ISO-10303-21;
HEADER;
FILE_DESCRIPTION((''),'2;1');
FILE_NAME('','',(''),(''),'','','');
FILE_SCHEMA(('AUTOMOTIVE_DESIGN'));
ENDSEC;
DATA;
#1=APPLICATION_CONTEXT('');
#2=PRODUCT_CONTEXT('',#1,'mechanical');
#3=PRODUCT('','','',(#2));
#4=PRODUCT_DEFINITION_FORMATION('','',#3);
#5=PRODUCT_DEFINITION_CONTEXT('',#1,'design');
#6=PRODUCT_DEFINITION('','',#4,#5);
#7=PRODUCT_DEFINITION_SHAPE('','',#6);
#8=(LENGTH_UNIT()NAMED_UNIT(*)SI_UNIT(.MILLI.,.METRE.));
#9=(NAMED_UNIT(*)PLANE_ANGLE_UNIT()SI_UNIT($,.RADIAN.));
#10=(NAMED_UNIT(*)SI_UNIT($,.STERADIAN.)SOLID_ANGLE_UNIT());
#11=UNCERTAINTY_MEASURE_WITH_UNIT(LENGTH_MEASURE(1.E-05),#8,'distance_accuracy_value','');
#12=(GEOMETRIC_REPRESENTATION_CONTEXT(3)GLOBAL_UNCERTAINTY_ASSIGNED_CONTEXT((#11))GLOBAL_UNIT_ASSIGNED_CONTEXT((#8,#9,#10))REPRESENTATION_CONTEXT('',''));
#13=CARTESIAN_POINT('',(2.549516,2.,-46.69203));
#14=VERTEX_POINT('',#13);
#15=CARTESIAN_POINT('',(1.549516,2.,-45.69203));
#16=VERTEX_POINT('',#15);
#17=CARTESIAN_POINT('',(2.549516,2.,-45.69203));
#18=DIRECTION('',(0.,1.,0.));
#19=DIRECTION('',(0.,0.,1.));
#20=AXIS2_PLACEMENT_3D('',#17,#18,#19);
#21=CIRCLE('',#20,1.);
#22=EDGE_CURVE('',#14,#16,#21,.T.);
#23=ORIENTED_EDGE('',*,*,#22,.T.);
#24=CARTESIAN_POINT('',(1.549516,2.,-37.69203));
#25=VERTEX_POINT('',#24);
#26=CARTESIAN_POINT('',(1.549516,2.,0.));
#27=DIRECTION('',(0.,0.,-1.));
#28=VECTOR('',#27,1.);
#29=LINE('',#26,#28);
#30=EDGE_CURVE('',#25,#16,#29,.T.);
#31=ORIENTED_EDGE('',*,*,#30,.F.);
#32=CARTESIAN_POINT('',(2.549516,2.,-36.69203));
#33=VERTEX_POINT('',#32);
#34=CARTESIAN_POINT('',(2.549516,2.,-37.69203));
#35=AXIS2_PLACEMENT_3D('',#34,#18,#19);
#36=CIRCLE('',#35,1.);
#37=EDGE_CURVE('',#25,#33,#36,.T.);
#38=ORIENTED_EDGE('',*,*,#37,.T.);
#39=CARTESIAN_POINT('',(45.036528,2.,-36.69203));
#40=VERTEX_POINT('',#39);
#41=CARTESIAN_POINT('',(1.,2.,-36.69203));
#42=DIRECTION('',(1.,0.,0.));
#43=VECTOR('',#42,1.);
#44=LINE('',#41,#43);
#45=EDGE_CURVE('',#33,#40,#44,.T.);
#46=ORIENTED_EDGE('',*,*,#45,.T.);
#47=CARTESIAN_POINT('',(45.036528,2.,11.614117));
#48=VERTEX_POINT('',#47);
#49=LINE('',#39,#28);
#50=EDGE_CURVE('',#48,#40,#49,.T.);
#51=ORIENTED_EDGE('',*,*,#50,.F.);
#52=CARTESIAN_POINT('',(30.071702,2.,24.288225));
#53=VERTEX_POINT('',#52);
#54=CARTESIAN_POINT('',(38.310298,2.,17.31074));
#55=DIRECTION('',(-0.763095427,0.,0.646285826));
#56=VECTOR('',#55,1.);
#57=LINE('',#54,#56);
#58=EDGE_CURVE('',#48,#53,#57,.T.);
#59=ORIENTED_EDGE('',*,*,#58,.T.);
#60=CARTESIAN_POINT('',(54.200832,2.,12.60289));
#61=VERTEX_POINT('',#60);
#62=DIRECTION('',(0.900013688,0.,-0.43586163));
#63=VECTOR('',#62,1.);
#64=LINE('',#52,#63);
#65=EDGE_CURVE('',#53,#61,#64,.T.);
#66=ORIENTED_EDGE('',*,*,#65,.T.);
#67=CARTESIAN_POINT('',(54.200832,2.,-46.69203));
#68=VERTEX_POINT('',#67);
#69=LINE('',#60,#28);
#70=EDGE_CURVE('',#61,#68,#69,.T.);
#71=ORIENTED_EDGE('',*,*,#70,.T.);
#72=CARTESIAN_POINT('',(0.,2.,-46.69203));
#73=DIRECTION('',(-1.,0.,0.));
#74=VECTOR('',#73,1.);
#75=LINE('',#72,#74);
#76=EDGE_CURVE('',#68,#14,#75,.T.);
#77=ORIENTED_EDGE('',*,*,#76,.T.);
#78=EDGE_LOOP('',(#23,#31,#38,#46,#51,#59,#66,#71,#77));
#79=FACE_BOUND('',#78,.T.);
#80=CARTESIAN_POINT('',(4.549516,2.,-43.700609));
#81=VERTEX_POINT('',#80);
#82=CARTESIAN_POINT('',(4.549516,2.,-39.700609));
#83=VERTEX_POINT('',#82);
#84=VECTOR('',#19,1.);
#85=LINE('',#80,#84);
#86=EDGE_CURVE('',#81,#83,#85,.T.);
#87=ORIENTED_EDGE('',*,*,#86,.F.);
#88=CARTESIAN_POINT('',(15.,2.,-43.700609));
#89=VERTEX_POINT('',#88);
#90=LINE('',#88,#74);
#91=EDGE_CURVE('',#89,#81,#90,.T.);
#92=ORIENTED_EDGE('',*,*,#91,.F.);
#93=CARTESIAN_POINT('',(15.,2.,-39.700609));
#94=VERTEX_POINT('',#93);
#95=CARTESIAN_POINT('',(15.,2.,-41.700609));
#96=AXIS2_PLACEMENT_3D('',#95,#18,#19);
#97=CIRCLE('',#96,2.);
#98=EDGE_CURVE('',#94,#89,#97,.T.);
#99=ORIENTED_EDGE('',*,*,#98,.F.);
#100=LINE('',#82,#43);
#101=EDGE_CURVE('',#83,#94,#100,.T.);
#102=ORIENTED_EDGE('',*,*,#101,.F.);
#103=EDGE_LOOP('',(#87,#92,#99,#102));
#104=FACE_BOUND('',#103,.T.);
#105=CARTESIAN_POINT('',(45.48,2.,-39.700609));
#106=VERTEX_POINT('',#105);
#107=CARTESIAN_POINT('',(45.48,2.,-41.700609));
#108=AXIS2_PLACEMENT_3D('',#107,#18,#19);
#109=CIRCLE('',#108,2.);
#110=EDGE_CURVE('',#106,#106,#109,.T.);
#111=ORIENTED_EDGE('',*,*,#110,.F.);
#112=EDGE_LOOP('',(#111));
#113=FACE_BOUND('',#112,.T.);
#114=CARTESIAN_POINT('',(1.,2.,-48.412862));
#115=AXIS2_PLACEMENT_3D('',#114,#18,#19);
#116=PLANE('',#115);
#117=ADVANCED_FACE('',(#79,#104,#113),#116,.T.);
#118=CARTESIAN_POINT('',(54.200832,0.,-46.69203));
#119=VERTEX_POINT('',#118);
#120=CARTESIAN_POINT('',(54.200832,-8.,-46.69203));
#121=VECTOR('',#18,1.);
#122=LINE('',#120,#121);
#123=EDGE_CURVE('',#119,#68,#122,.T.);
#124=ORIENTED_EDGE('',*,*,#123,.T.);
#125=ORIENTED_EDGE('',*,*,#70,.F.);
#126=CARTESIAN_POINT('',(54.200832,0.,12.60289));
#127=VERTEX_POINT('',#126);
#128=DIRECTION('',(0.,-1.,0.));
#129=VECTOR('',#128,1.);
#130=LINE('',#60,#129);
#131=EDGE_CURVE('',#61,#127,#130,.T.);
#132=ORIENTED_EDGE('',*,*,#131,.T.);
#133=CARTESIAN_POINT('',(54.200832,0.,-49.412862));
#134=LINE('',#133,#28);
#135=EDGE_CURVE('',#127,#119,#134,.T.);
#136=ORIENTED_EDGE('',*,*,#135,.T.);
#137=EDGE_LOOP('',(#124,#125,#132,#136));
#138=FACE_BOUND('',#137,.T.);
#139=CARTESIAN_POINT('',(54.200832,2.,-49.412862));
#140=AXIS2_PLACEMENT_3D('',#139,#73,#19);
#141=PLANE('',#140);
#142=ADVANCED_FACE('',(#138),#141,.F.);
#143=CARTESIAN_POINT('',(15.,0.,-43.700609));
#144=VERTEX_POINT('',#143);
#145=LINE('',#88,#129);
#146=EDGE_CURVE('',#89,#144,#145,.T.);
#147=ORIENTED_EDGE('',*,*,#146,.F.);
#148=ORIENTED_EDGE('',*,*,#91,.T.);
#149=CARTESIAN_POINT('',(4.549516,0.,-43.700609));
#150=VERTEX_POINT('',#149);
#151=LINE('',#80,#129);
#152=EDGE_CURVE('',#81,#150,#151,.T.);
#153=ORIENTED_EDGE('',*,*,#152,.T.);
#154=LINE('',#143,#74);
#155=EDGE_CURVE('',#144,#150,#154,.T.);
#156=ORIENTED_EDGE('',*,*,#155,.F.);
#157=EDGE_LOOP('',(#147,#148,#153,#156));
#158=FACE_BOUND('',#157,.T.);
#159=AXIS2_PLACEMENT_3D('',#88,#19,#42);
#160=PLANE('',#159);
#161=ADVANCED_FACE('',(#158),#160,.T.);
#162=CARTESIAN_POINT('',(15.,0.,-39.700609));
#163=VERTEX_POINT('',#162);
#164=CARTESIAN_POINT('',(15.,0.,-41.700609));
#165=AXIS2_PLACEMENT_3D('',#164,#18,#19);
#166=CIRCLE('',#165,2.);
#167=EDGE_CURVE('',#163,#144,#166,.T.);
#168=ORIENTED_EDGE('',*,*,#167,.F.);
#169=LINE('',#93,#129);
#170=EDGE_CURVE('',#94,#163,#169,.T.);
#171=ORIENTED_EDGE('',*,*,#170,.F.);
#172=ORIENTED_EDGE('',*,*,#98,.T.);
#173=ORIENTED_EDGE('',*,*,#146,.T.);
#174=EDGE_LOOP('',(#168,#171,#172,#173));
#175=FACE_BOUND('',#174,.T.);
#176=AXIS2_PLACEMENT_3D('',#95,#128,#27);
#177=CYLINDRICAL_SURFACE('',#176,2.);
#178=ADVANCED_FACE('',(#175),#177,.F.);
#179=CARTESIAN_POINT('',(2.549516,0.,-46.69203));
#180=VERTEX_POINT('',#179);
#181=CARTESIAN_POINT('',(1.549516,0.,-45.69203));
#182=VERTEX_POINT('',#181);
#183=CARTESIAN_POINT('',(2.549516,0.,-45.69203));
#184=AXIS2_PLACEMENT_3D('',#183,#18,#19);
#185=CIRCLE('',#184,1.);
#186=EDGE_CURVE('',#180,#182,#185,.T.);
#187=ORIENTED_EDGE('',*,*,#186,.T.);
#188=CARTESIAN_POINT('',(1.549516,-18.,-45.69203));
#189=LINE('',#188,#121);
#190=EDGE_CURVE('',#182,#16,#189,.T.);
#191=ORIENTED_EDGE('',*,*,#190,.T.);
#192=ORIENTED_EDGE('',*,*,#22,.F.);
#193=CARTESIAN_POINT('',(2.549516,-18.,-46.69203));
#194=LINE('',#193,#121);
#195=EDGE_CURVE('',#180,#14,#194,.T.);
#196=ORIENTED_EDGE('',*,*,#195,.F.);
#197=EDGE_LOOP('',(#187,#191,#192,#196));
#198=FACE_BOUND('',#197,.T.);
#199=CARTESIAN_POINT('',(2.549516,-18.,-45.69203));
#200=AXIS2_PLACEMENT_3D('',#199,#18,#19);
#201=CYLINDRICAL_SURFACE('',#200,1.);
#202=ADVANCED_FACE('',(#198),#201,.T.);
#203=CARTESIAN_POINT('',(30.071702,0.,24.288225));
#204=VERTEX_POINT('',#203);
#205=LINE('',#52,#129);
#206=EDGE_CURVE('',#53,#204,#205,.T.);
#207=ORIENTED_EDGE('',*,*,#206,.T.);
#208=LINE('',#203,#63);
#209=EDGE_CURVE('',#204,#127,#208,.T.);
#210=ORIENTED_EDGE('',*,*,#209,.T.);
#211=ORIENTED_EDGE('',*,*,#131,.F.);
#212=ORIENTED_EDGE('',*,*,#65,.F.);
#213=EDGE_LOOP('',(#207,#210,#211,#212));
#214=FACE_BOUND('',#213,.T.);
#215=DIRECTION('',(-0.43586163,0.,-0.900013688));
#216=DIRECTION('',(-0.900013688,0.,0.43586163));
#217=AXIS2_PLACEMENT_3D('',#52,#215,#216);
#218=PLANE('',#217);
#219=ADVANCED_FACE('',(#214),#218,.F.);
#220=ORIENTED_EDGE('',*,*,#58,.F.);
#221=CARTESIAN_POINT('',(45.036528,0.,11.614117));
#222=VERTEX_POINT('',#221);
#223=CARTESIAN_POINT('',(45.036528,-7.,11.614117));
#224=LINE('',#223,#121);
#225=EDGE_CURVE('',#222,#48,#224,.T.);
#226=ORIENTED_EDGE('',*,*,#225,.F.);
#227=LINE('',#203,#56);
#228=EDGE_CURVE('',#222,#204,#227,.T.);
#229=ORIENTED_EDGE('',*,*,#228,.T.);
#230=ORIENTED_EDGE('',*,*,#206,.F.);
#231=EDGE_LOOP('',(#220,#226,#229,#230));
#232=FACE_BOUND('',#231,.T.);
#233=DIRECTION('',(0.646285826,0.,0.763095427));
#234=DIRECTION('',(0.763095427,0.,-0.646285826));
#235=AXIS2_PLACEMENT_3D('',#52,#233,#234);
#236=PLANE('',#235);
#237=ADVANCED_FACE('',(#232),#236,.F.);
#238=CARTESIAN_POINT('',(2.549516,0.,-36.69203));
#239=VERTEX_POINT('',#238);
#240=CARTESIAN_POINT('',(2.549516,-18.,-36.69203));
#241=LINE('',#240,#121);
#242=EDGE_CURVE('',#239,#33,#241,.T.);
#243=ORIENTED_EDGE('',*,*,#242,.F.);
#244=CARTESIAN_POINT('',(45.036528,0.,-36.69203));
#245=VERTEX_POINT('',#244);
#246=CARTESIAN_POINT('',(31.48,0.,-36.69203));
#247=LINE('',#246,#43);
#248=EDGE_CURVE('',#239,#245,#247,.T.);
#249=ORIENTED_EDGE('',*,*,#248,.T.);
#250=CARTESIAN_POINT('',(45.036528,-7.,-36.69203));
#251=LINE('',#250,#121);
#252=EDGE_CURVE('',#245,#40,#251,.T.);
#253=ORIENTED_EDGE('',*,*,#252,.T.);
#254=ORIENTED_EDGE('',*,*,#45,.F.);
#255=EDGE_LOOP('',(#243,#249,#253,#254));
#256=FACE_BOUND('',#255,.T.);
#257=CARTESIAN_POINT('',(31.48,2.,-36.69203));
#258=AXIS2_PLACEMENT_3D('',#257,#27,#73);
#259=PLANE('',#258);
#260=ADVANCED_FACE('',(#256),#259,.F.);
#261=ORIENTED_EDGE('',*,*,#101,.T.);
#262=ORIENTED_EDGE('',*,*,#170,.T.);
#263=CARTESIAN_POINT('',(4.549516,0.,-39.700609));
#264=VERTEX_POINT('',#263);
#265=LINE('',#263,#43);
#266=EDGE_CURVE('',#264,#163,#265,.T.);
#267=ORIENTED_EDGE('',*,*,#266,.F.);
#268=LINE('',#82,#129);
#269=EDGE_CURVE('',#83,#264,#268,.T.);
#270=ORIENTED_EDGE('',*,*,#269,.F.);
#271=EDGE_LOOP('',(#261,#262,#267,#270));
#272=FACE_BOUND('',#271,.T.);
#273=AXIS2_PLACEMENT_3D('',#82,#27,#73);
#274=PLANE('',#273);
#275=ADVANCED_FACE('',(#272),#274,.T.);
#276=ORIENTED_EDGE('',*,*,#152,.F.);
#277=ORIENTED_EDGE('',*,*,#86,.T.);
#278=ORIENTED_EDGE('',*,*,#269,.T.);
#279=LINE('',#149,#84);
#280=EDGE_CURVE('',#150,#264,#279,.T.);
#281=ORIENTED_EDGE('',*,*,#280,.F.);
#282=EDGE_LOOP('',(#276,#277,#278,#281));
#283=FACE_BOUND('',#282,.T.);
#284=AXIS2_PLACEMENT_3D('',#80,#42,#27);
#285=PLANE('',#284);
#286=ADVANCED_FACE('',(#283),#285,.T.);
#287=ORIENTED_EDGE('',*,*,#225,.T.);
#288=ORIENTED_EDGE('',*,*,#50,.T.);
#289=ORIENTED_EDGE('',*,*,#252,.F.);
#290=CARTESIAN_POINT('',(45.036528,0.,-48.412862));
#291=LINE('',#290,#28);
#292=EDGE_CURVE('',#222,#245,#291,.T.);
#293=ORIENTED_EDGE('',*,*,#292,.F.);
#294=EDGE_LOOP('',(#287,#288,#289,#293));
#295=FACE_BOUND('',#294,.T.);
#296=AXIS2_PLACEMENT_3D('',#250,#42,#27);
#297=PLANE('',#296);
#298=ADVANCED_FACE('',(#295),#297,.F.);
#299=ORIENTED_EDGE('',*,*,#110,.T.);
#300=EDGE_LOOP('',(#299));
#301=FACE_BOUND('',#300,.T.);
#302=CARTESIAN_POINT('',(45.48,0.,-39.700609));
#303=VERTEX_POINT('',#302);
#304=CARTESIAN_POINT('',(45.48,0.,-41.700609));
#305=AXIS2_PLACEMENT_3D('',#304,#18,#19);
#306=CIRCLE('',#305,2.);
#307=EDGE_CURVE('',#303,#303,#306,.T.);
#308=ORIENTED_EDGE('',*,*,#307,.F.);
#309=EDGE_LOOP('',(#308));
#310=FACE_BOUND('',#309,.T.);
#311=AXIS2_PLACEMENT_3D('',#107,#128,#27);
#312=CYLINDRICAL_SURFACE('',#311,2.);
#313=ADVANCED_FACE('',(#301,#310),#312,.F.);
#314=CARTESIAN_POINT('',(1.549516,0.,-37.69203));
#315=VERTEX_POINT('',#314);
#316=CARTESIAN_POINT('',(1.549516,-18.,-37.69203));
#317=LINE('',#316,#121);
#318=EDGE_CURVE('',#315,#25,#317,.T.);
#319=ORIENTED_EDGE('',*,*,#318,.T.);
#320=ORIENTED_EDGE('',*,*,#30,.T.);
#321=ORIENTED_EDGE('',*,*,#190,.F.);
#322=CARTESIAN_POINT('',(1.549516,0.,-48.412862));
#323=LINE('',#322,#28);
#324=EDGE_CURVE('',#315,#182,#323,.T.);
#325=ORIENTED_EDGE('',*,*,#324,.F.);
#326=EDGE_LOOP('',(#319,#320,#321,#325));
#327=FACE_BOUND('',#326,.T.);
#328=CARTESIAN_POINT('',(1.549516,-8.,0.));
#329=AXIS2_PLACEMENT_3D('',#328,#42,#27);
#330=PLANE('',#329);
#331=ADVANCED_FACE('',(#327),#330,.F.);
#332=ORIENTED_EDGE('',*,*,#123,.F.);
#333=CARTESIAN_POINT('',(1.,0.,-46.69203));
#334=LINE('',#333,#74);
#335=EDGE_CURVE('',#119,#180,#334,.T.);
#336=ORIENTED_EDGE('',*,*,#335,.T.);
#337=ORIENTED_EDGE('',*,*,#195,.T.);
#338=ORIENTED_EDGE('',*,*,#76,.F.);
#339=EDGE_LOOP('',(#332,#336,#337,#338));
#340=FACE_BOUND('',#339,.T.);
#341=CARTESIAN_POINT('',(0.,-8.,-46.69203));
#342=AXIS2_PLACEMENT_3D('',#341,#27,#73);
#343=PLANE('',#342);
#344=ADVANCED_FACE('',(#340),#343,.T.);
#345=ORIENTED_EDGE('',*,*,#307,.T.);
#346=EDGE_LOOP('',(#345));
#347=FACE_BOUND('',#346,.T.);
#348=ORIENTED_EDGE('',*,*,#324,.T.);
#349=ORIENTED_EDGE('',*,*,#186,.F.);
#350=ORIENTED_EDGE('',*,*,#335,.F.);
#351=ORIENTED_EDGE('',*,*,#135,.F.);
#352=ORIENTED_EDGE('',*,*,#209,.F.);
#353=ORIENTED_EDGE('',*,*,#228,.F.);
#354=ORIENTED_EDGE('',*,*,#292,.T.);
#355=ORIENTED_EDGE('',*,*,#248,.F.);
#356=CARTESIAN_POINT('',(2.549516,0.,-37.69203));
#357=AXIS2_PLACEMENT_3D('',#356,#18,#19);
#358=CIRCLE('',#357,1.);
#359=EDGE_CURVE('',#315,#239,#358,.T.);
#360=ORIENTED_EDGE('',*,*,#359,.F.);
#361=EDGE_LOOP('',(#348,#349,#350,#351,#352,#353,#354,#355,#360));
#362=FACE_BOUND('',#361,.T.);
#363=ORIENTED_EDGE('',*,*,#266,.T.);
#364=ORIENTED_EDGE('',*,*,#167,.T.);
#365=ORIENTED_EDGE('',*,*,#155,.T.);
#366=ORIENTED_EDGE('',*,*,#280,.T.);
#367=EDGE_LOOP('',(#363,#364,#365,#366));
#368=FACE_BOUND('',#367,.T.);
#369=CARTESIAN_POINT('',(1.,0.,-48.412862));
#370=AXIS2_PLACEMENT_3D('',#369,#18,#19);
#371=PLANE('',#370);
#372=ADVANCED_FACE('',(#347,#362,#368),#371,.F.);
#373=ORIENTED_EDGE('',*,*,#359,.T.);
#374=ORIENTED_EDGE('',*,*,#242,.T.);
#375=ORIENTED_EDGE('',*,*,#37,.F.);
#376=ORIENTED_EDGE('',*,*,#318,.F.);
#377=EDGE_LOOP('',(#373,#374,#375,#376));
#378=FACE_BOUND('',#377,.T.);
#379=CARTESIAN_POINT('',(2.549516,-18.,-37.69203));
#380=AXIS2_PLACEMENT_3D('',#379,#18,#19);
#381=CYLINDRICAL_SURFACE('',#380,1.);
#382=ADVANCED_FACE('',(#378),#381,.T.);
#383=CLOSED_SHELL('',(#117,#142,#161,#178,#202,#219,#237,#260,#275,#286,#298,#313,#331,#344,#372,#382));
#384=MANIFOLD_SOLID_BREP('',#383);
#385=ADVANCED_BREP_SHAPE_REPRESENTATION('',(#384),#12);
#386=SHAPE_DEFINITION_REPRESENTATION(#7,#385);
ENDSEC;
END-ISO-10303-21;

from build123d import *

# Parameters (mm, degrees)
SKETCH1_R           = 2
BOSS_EXTRUDE2_DEPTH = 2
CUT_EXTRUDE2_DEPTH  = 9
CUT_EXTRUDE3_DEPTH  = 9
CUT_EXTRUDE4_DEPTH  = 10
CUT_EXTRUDE5_DEPTH  = 10
CUT_EXTRUDE6_DEPTH  = 10
CUT_EXTRUDE8_DEPTH  = 20


with BuildPart() as part:
    # Sketch1 → Boss-Extrude2 (new body)
    with BuildSketch(Plane(origin=(0, 0, 0), x_dir=(1, 0, 0), z_dir=(0, 1, 0))):
        with BuildLine():
            Line((0, 48.412862342), (0, 37.692030173))
            ThreePointArc((0, 37.692030173), (0.292893219, 36.984923392), (1, 36.692030173))
            Line((1, 36.692030173), (31.48, 36.692030173))
            Line((31.48, 36.692030173), (43.036527631, 36.692030173))
            Line((43.036527631, 36.692030173), (43.036527631, -13.307969827))
            Line((43.036527631, -13.307969827), (38.310297741, -17.310739702))
            Line((38.310297741, -17.310739702), (34.253582629, -17.310739702))
            Line((34.253582629, -17.310739702), (36, -19.267392345))
            Line((36, -19.267392345), (30.071702425, -24.288225334))
            Line((30.071702425, -24.288225334), (54.200832168, -12.602889922))
            Line((54.200832168, -12.602889922), (54.200832168, 10.267562985))
            Line((54.200832168, 10.267562985), (54.200832168, 49.412862342))
            Line((54.200832168, 49.412862342), (41.48, 49.412862342))
            Line((41.48, 49.412862342), (1, 49.412862342))
            ThreePointArc((1, 49.412862342), (0.292893219, 49.119969123), (0, 48.412862342))
        make_face()
        with Locations((45.48, 41.700609081)):
            Circle(SKETCH1_R, mode=Mode.SUBTRACT)
        with BuildLine():
            Line((15, 43.700609081), (4.549516448, 43.700609081))
            Line((4.549516448, 43.700609081), (4.549516448, 39.700609081))
            Line((4.549516448, 39.700609081), (15, 39.700609081))
            ThreePointArc((15, 39.700609081), (17, 41.700609081), (15, 43.700609081))
        make_face(mode=Mode.SUBTRACT)
    extrude(amount=BOSS_EXTRUDE2_DEPTH)

    # Sketch6 → Cut-Extrude2 (cut)
    with BuildSketch(Plane(origin=(0, 2, 0), x_dir=(1, 0, 0), z_dir=(0, 1, 0))):
        Polygon((36, -19.267392345), (38.310297741, -17.310739702), (34.253582629, -17.310739702), align=None)
    extrude(amount=-CUT_EXTRUDE2_DEPTH, mode=Mode.SUBTRACT)

    # Sketch8 → Cut-Extrude3 (cut)
    with BuildSketch(Plane(origin=(0, 2, 0), x_dir=(1, 0, 0), z_dir=(0, 1, 0))):
        Polygon((43.036527631, 36.692030173), (45.036527631, 36.692030173), (45.036527631, -11.115496155), (45.036527631, -11.614116599), (43.036527631, -13.307969827), align=None)
    extrude(amount=-CUT_EXTRUDE3_DEPTH, mode=Mode.SUBTRACT)

    # Sketch9 → Cut-Extrude4 (cut)
    with BuildSketch(Plane(origin=(0, 2, 0), x_dir=(1, 0, 0), z_dir=(0, 1, 0))):
        with BuildLine():
            Line((0, 46.692030173), (54.200832168, 46.692030173))
            Line((54.200832168, 46.692030173), (54.200832168, 49.412862342))
            Line((54.200832168, 49.412862342), (1, 49.412862342))
            ThreePointArc((1, 49.412862342), (0.292893219, 49.119969123), (0, 48.412862342))
            Line((0, 48.412862342), (0, 46.692030173))
        make_face()
    extrude(amount=-CUT_EXTRUDE4_DEPTH, mode=Mode.SUBTRACT)

    # Sketch11 → Cut-Extrude5 (cut)
    with BuildSketch(Plane(origin=(0, 2, 0), x_dir=(1, 0, 0), z_dir=(0, 1, 0))):
        with BuildLine():
            Line((1, 46.692030173), (0, 46.692030173))
            Line((0, 46.692030173), (0, 45.692030173))
            ThreePointArc((0, 45.692030173), (0.292893219, 46.399136955), (1, 46.692030173))
        make_face()
    extrude(amount=-CUT_EXTRUDE5_DEPTH, mode=Mode.SUBTRACT)

    # Sketch12 → Cut-Extrude6 (cut)
    with BuildSketch(Plane(origin=(0, 2, 0), x_dir=(1, 0, 0), z_dir=(0, 1, 0))):
        with BuildLine():
            Line((1.549516448, 36.692030173), (1.549516448, 41.700609081))
            Line((1.549516448, 41.700609081), (1.549516448, 46.692030173))
            Line((1.549516448, 46.692030173), (1, 46.692030173))
            ThreePointArc((1, 46.692030173), (0.292893219, 46.399136955), (0, 45.692030173))
            Line((0, 45.692030173), (0, 37.692030173))
            ThreePointArc((0, 37.692030173), (0.292893219, 36.984923392), (1, 36.692030173))
            Line((1, 36.692030173), (1.549516448, 36.692030173))
        make_face()
    extrude(amount=-CUT_EXTRUDE6_DEPTH, mode=Mode.SUBTRACT)

    # Sketch13 → Cut-Extrude8 (cut)
    with BuildSketch(Plane(origin=(0, 2, 0), x_dir=(1, 0, 0), z_dir=(0, 1, 0))):
        with BuildLine():
            ThreePointArc((2.549516448, 36.692030173), (1.842409666, 36.984923392), (1.549516448, 37.692030173))
            Line((1.549516448, 37.692030173), (1.549516448, 36.692030173))
            Line((1.549516448, 36.692030173), (2.549516448, 36.692030173))
        make_face()
        with BuildLine():
            Line((2.549516448, 46.692030173), (1.549516448, 46.692030173))
            Line((1.549516448, 46.692030173), (1.549516448, 45.692030173))
            ThreePointArc((1.549516448, 45.692030173), (1.842409666, 46.399136955), (2.549516448, 46.692030173))
        make_face()
    extrude(amount=-CUT_EXTRUDE8_DEPTH, mode=Mode.SUBTRACT)


solid = part.part
